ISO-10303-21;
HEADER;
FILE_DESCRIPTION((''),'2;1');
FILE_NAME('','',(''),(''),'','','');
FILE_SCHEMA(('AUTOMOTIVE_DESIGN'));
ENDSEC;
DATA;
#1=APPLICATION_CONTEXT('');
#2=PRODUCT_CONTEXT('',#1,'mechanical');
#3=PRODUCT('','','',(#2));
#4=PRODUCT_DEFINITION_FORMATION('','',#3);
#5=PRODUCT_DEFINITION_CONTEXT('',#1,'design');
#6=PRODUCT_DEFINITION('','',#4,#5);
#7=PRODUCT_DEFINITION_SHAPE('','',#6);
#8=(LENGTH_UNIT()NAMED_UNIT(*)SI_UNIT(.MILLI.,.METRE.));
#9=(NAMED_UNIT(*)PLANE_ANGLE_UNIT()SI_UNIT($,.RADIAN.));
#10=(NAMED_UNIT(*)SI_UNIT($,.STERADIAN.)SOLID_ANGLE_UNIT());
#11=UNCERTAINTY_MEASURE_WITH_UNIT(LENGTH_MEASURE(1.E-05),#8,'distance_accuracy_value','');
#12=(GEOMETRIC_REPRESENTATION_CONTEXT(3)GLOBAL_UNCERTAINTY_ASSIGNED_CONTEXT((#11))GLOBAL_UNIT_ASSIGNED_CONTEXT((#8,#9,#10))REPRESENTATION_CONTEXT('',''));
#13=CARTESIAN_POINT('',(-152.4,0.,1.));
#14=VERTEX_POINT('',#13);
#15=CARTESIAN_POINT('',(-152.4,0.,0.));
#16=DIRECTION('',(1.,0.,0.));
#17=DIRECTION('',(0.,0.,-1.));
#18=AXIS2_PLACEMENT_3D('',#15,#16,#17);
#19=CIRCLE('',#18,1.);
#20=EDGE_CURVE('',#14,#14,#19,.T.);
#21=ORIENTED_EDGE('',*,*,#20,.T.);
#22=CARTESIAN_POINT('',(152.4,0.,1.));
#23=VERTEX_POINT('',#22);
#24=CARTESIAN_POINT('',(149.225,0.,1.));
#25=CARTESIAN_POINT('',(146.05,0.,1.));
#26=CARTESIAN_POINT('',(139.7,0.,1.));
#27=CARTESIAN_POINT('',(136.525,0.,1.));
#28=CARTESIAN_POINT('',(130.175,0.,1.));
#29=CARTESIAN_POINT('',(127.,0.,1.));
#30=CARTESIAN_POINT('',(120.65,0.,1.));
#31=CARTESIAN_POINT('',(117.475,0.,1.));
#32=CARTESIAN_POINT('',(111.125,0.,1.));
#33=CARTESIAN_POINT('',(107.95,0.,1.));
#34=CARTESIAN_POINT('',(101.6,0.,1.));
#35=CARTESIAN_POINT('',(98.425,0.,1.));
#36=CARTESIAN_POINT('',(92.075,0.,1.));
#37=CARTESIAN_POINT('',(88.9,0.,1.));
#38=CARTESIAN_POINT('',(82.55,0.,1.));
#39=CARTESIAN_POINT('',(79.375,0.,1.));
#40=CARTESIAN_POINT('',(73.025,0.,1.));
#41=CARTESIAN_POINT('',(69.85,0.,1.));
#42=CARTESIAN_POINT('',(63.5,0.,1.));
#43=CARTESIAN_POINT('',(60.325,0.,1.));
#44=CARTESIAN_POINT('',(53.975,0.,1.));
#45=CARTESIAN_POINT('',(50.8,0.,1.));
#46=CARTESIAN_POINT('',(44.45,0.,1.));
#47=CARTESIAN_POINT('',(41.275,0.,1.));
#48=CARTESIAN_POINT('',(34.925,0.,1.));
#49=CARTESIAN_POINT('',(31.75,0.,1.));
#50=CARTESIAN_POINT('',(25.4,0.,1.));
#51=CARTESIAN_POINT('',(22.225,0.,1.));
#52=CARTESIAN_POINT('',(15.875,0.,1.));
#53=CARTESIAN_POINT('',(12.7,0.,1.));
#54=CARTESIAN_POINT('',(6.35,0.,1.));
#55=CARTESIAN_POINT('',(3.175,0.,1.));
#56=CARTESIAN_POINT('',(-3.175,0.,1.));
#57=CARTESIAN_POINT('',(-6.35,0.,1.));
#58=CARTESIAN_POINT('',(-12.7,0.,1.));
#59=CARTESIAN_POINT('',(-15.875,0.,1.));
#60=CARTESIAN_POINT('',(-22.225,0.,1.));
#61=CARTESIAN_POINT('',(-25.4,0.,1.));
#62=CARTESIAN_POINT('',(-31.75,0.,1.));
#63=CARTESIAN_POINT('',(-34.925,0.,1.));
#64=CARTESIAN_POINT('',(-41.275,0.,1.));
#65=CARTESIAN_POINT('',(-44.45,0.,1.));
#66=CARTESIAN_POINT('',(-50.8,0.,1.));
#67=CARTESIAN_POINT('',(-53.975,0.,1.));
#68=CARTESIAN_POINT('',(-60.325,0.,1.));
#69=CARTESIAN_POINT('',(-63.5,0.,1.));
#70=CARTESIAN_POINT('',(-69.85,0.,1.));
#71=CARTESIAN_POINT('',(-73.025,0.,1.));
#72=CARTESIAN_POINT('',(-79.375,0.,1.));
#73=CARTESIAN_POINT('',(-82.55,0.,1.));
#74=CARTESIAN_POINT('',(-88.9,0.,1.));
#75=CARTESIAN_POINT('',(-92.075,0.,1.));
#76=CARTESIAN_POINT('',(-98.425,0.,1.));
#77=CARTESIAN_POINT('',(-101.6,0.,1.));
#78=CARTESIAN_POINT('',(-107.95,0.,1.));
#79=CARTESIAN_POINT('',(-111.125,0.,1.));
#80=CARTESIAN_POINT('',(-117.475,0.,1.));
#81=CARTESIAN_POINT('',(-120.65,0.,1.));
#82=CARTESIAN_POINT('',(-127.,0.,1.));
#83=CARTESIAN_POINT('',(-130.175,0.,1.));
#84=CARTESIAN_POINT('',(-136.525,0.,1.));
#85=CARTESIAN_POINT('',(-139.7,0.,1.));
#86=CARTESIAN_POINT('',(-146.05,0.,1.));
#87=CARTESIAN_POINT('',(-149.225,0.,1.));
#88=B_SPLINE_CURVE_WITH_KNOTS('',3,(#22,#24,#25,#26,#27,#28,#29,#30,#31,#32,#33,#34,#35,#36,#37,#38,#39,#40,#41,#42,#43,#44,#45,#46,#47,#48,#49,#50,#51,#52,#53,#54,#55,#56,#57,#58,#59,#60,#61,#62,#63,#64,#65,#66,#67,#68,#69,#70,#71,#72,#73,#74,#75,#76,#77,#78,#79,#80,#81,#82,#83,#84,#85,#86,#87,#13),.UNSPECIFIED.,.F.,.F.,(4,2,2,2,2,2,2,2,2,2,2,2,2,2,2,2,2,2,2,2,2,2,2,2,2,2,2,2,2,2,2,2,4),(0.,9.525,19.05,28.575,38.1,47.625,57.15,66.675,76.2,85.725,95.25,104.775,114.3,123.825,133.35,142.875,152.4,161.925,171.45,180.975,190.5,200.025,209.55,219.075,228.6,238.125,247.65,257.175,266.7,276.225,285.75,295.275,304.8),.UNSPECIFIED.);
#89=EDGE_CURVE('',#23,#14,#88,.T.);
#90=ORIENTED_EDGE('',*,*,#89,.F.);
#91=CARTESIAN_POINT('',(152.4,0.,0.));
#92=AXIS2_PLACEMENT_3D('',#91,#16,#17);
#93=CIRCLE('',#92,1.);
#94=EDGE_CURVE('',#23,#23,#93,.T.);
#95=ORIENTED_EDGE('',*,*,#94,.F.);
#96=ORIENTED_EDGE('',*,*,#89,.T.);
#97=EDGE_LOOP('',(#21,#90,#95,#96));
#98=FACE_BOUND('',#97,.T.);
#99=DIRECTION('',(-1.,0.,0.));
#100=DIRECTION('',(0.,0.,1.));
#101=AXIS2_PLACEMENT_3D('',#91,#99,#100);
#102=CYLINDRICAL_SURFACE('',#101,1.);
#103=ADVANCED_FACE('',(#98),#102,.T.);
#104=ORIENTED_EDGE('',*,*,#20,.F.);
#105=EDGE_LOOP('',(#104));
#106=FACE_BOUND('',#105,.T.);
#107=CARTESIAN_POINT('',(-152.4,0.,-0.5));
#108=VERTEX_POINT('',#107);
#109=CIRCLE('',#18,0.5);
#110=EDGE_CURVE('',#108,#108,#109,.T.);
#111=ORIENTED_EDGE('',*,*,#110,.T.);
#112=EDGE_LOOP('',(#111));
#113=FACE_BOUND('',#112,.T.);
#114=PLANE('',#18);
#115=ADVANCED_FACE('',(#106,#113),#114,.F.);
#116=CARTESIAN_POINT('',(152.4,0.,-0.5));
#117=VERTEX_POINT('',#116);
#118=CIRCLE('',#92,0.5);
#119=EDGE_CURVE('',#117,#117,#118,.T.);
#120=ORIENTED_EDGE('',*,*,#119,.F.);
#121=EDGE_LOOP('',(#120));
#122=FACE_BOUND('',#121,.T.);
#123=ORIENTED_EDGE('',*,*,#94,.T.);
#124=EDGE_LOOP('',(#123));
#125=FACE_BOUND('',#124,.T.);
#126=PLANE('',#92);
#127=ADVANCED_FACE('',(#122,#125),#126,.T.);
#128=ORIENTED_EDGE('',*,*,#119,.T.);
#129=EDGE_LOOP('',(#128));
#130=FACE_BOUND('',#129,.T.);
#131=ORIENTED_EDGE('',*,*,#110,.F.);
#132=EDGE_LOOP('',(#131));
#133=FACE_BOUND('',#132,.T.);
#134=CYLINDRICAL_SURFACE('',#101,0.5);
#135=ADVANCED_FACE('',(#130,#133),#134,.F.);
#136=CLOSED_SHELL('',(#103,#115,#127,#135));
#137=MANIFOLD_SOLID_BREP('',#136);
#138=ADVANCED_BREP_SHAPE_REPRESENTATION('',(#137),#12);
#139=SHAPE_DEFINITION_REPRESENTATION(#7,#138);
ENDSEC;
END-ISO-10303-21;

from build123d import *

# Parameters (mm, degrees)
SKETCH1_R      = 1
SKETCH1_R_2    = 0.5
EXTRUDE1_DEPTH = 152.4


with BuildPart() as part:
    # Sketch1 → Extrude1 (new, symmetric)
    with BuildSketch(Plane(origin=(0, 0, 0), x_dir=(0, 0, -1), z_dir=(1, 0, 0))):
        with Locations(Location((0, 0, 0), (0, 0, 180))):
            Circle(SKETCH1_R)
        Circle(SKETCH1_R_2, mode=Mode.SUBTRACT)
    extrude(amount=EXTRUDE1_DEPTH, both=True)


solid = part.part
